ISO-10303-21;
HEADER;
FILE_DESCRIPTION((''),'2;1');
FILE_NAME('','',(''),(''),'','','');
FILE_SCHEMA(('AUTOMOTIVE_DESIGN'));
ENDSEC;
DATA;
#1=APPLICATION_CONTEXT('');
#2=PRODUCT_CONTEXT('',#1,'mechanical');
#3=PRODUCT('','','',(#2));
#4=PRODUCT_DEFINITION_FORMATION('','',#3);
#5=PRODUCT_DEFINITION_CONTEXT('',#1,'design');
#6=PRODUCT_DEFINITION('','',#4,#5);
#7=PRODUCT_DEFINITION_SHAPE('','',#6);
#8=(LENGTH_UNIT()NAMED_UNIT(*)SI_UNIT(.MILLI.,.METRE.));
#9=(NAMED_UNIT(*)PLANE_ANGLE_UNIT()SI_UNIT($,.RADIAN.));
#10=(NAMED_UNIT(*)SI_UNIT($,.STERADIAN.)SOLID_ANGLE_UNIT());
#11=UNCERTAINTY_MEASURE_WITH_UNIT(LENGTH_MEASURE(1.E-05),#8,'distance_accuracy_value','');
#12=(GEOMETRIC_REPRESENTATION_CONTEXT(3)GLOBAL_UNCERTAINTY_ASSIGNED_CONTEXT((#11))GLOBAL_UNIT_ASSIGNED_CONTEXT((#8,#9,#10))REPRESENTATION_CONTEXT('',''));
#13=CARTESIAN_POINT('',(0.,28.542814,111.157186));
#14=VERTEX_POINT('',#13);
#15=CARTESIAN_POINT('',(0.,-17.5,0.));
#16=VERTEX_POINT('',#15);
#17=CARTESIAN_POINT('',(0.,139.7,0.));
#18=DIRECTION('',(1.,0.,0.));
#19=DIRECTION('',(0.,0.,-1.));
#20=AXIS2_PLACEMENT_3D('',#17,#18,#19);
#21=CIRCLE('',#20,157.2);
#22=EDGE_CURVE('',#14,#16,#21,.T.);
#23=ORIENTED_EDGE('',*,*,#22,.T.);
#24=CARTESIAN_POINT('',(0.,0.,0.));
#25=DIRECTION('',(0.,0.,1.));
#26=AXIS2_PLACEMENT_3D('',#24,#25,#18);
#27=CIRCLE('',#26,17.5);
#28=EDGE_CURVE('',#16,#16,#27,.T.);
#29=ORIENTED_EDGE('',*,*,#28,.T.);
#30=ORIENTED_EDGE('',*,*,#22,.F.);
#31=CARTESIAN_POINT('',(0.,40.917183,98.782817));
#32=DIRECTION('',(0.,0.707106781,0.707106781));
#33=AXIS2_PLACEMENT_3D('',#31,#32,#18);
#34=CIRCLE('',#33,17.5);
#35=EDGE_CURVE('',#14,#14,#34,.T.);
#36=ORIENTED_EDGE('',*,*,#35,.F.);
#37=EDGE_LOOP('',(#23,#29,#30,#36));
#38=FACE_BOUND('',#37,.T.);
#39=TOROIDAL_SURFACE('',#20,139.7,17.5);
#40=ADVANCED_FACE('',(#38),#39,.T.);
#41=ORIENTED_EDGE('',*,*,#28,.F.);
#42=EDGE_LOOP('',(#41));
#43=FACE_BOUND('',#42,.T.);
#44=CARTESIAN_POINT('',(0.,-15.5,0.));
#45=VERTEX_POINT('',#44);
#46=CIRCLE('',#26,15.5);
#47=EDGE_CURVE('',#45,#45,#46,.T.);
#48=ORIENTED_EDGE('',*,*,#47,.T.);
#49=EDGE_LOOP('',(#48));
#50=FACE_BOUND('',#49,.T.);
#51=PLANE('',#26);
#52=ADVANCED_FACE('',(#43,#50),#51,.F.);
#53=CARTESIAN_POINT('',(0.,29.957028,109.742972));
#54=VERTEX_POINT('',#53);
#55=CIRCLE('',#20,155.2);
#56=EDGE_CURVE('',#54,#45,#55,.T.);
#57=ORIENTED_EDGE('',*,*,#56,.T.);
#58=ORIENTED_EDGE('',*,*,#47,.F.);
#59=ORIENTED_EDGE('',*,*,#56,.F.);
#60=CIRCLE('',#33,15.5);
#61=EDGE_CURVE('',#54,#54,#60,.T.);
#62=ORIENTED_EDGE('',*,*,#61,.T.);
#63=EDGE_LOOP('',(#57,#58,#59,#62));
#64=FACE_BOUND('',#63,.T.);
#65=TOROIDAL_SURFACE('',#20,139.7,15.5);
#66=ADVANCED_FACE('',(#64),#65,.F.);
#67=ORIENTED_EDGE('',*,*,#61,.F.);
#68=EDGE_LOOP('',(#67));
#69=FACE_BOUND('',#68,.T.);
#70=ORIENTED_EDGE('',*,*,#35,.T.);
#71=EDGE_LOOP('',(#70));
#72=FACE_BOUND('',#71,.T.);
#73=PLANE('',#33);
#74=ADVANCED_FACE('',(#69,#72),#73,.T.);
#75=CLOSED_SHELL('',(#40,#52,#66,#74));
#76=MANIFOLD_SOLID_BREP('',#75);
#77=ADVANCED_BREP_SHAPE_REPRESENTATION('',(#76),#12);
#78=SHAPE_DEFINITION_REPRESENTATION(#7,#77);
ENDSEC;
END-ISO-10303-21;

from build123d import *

# Parameters (mm, degrees)
SKETCH1_R   = 17.5
SKETCH1_R_2 = 15.5


with BuildPart() as part:
    # Sweep1: sweep along a path in Sketch2
    with BuildLine(Plane(origin=(0, 0, 0), x_dir=(0, 0, -1), z_dir=(1, 0, 0))) as sweep1_path:
        ThreePointArc((0, 0), (-53.460875501, 10.634029308), (-98.782817332, 40.917182668))
    # Sketch1 → Sweep1 (sweep)
    with BuildSketch(Plane.XY):
        Circle(SKETCH1_R)
        Circle(SKETCH1_R_2, mode=Mode.SUBTRACT)
    sweep(path=sweep1_path.line)


solid = part.part
